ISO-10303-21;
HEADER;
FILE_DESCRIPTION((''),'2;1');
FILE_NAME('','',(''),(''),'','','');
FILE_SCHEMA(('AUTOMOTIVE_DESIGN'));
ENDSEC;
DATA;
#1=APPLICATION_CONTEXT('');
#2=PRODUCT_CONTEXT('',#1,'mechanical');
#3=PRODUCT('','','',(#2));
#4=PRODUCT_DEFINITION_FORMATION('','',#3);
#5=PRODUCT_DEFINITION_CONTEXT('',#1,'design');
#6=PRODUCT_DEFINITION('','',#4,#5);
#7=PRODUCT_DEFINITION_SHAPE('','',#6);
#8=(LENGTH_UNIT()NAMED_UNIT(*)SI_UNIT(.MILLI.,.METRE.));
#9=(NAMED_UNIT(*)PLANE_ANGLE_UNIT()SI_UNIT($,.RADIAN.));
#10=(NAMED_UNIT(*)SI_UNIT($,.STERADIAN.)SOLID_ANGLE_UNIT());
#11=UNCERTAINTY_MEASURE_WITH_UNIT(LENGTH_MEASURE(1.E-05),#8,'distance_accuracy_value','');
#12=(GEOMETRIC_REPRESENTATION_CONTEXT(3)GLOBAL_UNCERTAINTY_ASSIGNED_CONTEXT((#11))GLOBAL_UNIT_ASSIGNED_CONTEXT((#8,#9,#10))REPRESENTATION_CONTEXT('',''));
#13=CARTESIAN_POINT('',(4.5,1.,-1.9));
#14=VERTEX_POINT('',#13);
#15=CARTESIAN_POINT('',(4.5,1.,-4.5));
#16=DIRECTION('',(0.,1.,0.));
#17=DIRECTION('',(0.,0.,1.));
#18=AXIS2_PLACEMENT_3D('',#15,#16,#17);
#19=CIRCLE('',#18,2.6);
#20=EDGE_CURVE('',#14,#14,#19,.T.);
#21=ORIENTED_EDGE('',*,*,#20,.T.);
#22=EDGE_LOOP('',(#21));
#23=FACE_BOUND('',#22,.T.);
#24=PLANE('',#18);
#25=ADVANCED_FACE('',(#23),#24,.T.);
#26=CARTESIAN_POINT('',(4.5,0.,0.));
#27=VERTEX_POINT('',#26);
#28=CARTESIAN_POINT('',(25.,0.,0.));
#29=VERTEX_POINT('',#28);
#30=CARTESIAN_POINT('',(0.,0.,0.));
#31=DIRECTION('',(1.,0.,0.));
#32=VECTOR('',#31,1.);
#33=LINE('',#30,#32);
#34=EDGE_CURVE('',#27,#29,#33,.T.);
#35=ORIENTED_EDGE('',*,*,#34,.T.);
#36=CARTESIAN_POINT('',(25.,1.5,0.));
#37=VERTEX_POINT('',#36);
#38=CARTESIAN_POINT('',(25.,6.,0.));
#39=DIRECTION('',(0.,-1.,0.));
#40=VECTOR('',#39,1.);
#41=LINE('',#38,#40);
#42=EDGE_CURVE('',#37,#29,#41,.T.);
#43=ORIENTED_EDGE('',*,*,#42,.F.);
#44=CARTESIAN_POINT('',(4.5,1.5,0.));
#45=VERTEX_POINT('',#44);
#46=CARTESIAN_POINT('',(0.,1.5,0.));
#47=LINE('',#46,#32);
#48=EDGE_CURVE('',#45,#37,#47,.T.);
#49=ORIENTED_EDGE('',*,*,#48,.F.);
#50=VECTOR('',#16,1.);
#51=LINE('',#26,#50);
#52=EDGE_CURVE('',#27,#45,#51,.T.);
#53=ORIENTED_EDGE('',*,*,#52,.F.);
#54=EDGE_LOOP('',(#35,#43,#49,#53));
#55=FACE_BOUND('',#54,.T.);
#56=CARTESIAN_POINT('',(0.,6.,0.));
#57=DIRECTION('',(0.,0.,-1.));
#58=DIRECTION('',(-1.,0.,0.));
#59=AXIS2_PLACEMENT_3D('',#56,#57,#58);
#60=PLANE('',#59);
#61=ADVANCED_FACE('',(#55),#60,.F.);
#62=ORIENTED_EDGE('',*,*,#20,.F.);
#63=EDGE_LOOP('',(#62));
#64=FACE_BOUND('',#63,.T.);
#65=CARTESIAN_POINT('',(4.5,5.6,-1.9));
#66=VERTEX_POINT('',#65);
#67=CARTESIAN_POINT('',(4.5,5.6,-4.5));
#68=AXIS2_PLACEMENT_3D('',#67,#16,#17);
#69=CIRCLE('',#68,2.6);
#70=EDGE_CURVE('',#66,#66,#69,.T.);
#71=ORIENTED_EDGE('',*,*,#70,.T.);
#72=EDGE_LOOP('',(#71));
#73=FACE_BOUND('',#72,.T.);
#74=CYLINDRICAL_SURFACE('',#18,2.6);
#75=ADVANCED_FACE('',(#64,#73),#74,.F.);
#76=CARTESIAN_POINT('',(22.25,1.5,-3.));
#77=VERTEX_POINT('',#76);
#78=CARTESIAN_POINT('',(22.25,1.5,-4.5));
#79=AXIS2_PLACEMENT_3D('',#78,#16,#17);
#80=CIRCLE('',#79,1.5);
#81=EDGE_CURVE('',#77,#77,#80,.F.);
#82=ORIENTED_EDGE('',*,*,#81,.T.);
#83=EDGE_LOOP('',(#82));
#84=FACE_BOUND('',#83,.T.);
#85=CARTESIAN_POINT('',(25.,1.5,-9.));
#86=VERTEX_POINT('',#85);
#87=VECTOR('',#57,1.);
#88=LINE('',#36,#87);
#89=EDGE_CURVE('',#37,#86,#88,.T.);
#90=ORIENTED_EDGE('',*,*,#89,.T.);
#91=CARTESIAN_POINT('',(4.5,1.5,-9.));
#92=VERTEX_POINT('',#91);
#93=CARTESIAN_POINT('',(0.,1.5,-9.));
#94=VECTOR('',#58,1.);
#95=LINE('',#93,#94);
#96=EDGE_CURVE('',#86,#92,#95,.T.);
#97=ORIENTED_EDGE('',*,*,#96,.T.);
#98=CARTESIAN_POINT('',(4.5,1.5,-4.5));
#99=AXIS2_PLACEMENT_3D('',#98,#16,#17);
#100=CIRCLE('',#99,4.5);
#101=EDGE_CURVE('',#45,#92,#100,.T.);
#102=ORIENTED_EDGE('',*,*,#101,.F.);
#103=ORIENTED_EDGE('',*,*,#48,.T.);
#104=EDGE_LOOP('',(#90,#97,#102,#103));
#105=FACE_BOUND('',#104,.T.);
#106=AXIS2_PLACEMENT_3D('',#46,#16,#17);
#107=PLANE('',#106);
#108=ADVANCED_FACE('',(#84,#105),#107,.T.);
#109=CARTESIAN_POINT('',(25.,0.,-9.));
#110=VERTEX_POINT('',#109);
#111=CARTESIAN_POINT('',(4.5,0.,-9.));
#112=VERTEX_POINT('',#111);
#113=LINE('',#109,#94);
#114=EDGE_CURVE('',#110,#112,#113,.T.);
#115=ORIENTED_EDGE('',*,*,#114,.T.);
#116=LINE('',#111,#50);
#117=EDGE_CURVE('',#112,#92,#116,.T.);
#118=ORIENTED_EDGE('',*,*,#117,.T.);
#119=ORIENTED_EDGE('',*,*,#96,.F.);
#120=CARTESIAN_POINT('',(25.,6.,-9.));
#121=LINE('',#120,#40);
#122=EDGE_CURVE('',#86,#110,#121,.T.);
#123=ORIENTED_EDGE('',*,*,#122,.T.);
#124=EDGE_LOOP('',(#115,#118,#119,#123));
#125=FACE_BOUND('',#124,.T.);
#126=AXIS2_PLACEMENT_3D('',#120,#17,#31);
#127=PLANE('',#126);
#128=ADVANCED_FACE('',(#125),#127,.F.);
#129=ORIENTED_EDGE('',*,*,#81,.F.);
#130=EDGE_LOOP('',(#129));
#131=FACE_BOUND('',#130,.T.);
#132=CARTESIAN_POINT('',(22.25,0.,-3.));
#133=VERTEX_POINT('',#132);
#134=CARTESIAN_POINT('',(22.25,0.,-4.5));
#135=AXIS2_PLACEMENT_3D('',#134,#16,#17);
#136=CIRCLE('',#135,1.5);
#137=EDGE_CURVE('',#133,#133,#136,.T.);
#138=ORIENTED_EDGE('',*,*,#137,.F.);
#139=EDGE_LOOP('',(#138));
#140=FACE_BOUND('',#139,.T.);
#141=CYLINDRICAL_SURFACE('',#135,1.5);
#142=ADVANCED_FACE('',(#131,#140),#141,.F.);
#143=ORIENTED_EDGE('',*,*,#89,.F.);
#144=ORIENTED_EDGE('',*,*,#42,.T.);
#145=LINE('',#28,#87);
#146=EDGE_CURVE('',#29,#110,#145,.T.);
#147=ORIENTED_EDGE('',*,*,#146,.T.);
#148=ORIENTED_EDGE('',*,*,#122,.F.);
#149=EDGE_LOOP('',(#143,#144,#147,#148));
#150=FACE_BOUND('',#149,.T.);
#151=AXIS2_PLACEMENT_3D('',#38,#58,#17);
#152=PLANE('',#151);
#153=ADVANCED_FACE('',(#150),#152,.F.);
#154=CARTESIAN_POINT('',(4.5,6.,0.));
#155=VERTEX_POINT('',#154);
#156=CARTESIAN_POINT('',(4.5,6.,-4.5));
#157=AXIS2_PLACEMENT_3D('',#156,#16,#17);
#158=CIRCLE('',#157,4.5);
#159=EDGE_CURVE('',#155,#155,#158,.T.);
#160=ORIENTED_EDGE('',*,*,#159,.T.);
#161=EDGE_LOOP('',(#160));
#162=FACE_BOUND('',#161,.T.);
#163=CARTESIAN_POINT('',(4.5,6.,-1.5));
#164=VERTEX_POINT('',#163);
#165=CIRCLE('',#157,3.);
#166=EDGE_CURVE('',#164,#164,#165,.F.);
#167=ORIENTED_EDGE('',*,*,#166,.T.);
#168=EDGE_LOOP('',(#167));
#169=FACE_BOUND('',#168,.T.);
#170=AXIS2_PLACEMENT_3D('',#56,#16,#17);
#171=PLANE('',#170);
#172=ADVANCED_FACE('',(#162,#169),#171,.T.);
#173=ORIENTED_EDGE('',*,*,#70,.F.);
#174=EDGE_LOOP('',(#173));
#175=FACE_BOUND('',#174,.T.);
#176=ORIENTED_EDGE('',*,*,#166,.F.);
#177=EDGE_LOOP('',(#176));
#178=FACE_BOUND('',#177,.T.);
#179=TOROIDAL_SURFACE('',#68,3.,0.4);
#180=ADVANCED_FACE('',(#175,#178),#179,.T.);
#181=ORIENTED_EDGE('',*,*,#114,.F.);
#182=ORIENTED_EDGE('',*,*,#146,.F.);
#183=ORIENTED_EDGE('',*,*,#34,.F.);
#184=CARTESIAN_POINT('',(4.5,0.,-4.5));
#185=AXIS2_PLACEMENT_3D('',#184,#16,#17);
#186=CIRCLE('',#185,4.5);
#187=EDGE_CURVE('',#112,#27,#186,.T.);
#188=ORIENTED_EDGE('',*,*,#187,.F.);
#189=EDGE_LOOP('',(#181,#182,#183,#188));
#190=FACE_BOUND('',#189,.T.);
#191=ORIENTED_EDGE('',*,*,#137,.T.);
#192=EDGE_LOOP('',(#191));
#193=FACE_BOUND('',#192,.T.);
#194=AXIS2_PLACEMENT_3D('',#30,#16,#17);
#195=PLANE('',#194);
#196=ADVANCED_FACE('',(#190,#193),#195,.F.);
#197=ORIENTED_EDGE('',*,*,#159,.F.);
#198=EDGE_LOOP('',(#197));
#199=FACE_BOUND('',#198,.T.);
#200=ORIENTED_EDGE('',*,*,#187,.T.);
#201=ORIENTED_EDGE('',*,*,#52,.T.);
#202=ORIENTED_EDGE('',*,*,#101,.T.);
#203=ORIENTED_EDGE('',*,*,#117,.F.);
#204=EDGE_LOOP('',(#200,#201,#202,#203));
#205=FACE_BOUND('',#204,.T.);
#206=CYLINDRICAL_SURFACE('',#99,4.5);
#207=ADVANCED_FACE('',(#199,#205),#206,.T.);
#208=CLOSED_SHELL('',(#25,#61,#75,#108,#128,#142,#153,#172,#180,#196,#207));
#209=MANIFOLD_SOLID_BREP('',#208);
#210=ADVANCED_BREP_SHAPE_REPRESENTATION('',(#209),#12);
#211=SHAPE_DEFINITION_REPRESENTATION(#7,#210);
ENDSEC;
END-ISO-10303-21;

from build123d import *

# Parameters (mm, degrees)
SKETCH2_W               = 25
SKETCH2_H               = 9
BOSS_EXTRUDE3_DEPTH     = 6
SKETCH3_R               = 2.6
CUT_EXTRUDE1_DEPTH      = 5
CUT_EXTRUDE2_DEPTH      = 28.239676944
CUT_EXTRUDE2_DEPTH_BACK = 28.239676944
SKETCH4_R               = 1.5
SKETCH5_R               = 1.5
CUT_EXTRUDE3_DEPTH      = 4.5
CUT_EXTRUDE4_DEPTH      = 28.239676944
FILLET2_R               = 0.4


with BuildPart() as part:
    # Sketch2 → Boss-Extrude3 (new body)
    with BuildSketch(Plane(origin=(0, 0, 0), x_dir=(1, 0, 0), z_dir=(0, 1, 0))):
        with Locations((12.5, 4.5)):
            Rectangle(SKETCH2_W, SKETCH2_H)
    extrude(amount=BOSS_EXTRUDE3_DEPTH)

    # Sketch3 → Cut-Extrude1 (cut)
    with BuildSketch(Plane(origin=(0, 6, 0), x_dir=(1, 0, 0), z_dir=(0, 1, 0))):
        with Locations(Location((4.5, 4.5, 0), (0, 0, 270))):
            Circle(SKETCH3_R)
    extrude(amount=-CUT_EXTRUDE1_DEPTH, mode=Mode.SUBTRACT)

    # Sketch4 → Cut-Extrude2 (cut, two sides: drawn at the far end of the back side and taken through both)
    with BuildSketch(Plane(origin=(0, 6, 0), x_dir=(1, 0, 0), z_dir=(0, 1, 0)).offset(-CUT_EXTRUDE2_DEPTH_BACK)):
        with Locations(Location((22.25, 4.5, 0), (0, 0, 270))):
            Circle(SKETCH4_R)
    extrude(amount=CUT_EXTRUDE2_DEPTH + CUT_EXTRUDE2_DEPTH_BACK, mode=Mode.SUBTRACT)

    # Sketch5 → Cut-Extrude3 (cut)
    with BuildSketch(Plane(origin=(0, 6, 0), x_dir=(1, 0, 0), z_dir=(0, 1, 0))):
        with BuildLine():
            Line((25, 9), (4.5, 9))
            ThreePointArc((4.5, 9), (7.681980515, 7.681980515), (9, 4.5))
            ThreePointArc((9, 4.5), (7.681980515, 1.318019485), (4.5, 0))
            Line((4.5, 0), (25, 0))
            Line((25, 0), (25, 9))
        make_face()
        with Locations(Location((22.25, 4.5, 0), (0, 0, 270))):
            Circle(SKETCH5_R, mode=Mode.SUBTRACT)
    extrude(amount=-CUT_EXTRUDE3_DEPTH, mode=Mode.SUBTRACT)

    # Sketch6 → Cut-Extrude4 (cut, through all)
    with BuildSketch(Plane(origin=(0, 6, 0), x_dir=(1, 0, 0), z_dir=(0, 1, 0))):
        with BuildLine():
            ThreePointArc((0, 4.5), (1.318019485, 7.681980515), (4.5, 9))
            Line((4.5, 9), (0, 9))
            Line((0, 9), (0, 4.5))
        make_face()
        with BuildLine():
            ThreePointArc((4.5, 0), (1.318019485, 1.318019485), (0, 4.5))
            Line((0, 4.5), (0, 0))
            Line((0, 0), (4.5, 0))
        make_face()
    extrude(amount=-CUT_EXTRUDE4_DEPTH, mode=Mode.SUBTRACT)

    # Fillet2
    fillet2_edges = [part.edges().sort_by_distance(p)[0] for p in [
        (4.5, 6, -7.1),
    ]]
    fillet(fillet2_edges, radius=FILLET2_R)


solid = part.part
